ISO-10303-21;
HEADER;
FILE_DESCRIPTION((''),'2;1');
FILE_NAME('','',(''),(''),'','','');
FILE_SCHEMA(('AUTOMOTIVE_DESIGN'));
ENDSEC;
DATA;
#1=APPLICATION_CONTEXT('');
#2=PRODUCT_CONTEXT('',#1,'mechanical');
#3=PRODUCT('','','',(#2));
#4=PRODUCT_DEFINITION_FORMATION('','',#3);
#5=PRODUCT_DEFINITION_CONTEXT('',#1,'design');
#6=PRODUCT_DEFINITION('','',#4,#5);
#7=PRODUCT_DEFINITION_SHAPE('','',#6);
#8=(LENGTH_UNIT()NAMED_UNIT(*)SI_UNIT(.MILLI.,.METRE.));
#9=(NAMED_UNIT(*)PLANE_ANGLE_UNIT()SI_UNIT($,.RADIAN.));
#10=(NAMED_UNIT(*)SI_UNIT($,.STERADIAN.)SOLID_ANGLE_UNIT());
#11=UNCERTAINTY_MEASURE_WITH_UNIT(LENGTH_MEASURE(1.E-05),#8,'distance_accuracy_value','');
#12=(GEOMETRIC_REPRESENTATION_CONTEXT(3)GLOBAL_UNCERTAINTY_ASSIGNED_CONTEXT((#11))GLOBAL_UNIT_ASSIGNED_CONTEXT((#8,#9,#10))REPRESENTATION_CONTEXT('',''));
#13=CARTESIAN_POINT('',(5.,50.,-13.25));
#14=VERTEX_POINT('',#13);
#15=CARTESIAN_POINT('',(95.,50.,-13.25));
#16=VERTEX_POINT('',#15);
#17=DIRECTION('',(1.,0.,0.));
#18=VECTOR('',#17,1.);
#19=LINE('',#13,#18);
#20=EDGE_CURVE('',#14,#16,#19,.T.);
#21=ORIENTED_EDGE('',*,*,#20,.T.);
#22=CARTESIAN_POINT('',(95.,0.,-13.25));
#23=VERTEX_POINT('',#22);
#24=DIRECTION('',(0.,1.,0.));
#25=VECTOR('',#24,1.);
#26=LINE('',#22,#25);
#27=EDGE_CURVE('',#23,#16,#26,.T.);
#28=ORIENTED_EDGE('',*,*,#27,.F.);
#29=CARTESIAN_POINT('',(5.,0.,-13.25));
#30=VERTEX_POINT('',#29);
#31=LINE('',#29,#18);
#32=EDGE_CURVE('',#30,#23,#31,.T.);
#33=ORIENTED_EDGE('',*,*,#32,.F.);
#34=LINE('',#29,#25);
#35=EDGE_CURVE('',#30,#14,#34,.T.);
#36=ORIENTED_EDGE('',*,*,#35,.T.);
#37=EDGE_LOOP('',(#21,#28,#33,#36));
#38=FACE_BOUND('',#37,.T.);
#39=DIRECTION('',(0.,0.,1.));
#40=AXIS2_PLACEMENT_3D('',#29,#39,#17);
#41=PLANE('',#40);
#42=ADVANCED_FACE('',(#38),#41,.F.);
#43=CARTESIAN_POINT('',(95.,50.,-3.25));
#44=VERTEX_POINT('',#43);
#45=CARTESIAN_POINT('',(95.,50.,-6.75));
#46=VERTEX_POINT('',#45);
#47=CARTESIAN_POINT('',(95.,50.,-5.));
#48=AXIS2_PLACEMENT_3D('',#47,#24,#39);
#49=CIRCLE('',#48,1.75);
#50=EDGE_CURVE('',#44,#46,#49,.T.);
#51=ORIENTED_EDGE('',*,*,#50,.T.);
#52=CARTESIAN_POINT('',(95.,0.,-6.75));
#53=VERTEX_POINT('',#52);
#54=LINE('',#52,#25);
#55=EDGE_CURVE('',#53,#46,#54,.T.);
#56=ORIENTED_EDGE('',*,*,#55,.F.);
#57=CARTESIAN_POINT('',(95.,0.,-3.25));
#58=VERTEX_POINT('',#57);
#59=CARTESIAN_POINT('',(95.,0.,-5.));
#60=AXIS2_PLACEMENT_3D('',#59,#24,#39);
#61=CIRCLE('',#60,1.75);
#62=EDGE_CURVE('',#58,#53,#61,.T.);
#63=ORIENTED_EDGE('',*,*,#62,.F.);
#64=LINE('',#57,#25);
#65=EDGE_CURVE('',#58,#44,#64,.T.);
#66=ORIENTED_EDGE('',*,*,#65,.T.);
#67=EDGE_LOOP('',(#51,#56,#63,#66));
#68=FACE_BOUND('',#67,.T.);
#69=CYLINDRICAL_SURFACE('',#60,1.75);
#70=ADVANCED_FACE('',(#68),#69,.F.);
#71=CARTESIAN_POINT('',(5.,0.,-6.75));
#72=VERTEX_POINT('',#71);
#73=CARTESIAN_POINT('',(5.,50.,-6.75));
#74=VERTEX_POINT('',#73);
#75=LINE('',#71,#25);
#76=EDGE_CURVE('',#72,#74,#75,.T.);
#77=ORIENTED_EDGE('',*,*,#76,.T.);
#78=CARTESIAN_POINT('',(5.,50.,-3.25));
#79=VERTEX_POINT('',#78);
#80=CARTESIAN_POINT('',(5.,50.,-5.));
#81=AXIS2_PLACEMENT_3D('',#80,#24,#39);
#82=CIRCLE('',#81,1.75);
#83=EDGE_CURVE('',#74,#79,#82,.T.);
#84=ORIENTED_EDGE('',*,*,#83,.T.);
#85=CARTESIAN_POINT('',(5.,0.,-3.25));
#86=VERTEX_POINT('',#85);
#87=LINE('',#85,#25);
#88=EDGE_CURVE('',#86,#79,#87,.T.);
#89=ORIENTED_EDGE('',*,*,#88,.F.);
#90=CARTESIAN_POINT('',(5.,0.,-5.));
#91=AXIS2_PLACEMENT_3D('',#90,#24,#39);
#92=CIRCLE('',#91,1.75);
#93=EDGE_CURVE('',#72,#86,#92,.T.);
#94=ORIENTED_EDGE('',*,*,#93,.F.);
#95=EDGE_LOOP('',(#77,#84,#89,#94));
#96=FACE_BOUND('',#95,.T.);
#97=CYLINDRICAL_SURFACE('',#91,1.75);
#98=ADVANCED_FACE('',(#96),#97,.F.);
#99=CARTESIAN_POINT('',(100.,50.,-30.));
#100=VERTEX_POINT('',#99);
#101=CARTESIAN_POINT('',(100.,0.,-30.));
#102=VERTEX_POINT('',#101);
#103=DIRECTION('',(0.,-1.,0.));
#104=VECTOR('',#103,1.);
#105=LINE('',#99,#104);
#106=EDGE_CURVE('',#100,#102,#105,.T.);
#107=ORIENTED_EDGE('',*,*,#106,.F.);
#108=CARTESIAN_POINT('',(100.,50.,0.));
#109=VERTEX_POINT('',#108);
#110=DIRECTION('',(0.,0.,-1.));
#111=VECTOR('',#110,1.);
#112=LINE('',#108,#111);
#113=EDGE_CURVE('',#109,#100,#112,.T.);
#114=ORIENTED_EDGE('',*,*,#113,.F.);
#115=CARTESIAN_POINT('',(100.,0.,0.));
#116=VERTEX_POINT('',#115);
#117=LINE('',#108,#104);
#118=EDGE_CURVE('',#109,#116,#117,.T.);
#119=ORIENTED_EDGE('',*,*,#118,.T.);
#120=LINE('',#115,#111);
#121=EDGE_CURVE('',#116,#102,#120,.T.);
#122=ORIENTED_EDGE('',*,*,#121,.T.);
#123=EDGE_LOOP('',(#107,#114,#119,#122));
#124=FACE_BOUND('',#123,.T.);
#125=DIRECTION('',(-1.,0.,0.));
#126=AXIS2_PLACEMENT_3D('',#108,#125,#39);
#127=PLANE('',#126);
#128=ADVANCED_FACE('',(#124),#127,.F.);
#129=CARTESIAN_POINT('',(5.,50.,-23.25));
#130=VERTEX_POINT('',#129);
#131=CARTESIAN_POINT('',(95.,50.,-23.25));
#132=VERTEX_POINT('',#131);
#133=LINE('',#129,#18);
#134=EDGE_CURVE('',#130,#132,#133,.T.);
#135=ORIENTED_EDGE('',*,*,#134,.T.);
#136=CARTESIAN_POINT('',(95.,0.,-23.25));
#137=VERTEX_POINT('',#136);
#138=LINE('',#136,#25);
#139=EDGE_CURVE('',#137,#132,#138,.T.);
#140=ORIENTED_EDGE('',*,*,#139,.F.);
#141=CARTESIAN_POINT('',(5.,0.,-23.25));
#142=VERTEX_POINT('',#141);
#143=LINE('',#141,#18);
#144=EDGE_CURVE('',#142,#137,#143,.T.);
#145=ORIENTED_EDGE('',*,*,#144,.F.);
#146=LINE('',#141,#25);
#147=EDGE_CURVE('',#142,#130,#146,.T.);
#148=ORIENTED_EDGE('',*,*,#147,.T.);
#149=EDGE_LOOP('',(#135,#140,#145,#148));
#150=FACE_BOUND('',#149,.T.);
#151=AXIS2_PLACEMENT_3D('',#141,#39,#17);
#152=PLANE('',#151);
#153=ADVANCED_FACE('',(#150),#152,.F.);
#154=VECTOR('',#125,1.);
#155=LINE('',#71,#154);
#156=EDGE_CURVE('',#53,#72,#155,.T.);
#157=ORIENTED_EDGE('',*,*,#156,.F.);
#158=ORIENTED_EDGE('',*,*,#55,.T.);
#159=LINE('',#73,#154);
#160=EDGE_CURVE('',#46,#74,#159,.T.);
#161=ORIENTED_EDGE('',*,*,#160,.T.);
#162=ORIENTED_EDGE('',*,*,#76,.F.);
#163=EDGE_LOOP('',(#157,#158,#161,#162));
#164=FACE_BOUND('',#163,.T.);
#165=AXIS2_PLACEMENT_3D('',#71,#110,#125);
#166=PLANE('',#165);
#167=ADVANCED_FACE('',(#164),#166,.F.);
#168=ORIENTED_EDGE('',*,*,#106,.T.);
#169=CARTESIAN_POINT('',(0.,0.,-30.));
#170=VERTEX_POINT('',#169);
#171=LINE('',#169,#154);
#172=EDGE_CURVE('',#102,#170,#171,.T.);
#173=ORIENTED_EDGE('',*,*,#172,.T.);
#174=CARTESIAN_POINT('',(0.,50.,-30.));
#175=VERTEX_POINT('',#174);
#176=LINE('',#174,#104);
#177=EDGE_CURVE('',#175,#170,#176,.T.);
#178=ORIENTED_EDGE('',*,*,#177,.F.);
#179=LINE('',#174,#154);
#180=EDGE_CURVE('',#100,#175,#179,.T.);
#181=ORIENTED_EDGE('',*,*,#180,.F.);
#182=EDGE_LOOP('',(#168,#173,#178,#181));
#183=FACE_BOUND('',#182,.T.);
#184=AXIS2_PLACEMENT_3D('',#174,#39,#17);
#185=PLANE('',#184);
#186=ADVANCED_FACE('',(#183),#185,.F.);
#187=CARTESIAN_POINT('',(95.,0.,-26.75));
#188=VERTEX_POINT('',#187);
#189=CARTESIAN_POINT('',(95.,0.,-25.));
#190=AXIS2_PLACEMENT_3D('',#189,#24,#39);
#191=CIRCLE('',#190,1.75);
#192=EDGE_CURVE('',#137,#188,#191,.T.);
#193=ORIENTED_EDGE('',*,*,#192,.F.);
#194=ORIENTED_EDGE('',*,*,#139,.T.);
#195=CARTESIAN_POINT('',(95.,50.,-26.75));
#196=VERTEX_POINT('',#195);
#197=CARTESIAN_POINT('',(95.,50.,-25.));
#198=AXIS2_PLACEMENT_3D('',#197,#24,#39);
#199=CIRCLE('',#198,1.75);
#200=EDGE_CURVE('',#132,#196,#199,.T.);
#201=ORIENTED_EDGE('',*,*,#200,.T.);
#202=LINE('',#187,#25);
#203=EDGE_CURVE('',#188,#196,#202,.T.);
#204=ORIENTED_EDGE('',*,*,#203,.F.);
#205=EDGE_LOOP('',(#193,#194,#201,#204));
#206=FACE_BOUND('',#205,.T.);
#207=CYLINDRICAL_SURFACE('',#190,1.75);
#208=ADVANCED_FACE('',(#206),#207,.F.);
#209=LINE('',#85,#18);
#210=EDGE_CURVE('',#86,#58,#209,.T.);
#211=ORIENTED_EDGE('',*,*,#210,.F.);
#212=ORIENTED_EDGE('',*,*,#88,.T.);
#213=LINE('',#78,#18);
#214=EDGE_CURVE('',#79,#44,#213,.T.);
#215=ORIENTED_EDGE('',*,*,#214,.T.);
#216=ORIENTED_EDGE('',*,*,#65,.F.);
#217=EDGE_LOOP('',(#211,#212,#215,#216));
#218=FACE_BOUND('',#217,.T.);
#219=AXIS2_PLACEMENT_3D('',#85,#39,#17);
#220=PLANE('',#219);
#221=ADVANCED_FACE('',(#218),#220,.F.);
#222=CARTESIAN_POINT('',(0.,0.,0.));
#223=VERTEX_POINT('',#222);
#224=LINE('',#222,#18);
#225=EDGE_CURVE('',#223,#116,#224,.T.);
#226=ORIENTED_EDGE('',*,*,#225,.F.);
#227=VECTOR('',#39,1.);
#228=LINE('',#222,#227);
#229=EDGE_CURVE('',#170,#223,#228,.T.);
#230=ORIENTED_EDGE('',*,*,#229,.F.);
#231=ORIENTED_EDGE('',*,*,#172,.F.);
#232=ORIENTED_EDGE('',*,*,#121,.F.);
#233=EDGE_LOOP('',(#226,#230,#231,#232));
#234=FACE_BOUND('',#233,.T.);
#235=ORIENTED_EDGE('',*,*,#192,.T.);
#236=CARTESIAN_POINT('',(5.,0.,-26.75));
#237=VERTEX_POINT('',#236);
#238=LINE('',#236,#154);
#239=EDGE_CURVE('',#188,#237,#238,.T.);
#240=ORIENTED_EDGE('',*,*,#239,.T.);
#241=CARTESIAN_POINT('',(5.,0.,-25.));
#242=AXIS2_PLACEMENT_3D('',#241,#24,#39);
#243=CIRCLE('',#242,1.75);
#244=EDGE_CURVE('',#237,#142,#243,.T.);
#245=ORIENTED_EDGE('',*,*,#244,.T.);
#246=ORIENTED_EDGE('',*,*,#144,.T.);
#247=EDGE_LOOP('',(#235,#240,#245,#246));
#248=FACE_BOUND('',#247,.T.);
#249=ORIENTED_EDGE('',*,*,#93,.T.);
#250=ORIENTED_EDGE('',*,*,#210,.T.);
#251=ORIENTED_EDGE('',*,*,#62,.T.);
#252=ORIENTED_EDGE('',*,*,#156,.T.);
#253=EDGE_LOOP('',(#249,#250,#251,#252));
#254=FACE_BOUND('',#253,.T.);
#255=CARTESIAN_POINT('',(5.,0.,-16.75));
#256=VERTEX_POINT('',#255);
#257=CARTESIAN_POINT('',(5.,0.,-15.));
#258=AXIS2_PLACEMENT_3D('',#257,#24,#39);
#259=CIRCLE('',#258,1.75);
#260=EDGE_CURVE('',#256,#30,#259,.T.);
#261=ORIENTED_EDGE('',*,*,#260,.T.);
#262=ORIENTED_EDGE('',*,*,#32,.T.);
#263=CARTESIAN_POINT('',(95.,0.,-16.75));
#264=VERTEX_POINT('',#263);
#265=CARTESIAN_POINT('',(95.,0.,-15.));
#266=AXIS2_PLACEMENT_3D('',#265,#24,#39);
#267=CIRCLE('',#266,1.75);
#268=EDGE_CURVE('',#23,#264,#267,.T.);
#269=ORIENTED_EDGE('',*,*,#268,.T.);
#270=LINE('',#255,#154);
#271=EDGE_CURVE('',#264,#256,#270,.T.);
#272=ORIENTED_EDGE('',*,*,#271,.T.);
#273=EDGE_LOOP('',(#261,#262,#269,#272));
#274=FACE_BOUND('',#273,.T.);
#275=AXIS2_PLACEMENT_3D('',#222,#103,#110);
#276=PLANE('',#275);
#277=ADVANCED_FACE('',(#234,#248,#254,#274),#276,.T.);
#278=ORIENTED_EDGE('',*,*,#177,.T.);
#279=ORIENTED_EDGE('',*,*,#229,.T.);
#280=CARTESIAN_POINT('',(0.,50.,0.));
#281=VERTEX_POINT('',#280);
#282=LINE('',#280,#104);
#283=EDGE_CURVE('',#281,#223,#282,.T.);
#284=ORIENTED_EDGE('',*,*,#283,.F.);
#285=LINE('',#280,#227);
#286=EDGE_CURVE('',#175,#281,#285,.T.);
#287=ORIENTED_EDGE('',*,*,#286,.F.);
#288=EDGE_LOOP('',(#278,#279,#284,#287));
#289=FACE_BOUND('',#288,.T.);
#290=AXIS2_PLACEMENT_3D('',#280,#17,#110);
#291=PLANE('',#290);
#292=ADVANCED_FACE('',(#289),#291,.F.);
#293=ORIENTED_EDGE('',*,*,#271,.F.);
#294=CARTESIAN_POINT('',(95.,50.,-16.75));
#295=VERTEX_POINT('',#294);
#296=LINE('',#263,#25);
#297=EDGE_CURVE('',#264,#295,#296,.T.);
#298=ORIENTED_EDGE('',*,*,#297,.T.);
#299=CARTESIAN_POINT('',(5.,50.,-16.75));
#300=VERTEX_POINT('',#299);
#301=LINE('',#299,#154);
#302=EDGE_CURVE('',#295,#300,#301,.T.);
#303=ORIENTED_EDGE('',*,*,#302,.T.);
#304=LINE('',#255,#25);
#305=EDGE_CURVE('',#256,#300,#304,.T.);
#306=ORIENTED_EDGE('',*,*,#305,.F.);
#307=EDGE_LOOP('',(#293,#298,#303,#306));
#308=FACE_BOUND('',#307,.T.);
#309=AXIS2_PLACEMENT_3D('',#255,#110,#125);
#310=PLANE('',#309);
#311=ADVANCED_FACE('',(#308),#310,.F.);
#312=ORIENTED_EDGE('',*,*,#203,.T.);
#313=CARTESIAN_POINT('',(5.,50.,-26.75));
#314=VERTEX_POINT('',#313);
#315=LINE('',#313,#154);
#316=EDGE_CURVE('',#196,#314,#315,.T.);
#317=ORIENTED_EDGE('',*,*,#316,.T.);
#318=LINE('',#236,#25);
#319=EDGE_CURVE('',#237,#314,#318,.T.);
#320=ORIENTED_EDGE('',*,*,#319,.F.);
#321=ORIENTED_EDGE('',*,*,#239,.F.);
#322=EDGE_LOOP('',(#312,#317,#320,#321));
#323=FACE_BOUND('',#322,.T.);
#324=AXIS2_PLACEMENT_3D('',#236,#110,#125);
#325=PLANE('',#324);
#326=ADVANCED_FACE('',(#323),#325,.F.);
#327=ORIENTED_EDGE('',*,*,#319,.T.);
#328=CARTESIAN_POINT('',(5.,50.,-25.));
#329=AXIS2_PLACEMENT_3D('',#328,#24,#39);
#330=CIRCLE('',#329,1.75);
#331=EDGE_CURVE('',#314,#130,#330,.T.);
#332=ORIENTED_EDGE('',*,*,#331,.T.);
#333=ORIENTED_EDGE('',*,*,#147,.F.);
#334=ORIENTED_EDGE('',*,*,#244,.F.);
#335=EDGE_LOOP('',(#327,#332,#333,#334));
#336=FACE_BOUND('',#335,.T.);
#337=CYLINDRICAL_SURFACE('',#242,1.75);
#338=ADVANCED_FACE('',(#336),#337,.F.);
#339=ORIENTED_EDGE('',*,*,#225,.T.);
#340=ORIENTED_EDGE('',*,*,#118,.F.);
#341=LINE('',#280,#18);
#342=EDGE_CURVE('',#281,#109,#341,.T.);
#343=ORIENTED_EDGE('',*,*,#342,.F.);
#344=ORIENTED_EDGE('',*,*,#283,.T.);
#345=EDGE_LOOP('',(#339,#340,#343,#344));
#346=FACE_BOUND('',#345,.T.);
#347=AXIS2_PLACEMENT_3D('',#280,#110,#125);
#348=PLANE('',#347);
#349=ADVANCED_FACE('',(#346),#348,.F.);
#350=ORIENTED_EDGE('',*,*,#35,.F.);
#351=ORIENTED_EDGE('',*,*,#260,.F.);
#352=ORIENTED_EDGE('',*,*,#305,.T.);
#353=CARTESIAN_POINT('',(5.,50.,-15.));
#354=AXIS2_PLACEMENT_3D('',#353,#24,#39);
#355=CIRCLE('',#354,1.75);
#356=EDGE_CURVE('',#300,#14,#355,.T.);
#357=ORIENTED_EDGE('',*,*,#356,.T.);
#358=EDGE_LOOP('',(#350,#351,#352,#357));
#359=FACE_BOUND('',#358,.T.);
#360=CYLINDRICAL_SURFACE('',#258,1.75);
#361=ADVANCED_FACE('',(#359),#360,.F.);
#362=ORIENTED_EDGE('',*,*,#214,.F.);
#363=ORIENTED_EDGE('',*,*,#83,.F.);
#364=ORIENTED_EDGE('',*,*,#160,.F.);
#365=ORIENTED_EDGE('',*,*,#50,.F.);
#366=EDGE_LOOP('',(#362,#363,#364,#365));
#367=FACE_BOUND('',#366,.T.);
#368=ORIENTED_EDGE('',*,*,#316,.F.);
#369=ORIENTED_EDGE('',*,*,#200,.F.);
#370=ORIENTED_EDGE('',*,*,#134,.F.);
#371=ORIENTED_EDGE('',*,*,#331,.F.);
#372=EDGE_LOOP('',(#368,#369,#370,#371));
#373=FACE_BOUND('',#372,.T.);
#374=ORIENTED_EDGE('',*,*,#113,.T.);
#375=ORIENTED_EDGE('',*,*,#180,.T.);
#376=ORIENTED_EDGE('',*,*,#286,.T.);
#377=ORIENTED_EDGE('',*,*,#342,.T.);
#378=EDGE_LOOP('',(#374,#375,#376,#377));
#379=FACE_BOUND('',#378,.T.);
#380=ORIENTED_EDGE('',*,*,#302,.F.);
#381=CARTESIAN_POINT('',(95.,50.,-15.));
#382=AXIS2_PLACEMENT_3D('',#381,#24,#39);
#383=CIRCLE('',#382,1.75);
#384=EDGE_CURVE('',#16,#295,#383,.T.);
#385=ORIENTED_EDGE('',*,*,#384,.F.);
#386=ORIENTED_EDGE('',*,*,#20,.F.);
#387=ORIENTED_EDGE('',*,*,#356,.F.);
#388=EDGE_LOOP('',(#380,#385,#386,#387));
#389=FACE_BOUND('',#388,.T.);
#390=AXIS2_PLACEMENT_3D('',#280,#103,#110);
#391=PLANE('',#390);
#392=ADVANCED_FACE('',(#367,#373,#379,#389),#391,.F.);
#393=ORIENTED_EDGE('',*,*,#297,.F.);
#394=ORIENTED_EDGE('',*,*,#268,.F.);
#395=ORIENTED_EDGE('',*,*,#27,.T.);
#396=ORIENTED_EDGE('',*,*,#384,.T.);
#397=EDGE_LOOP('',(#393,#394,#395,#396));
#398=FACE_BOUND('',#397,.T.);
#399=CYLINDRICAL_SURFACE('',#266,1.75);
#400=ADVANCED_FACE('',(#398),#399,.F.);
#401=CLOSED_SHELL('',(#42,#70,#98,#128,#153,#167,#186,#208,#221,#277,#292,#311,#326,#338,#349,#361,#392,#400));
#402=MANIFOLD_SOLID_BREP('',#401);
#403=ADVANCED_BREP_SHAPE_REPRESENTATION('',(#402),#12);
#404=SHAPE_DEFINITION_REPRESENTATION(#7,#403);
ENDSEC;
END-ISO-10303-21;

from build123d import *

# Parameters (mm, degrees)
SKETCH_1_W             = 100
SKETCH_1_H             = 30
EXTRUDE_1_DEPTH        = 50
CUT_EXTRUDE_1_DEPTH    = 50
PATTERN_LINEAR_1_COUNT = 3
PATTERN_LINEAR_1_PITCH = 10


with BuildPart() as part:
    # 草图1 → 凸台-拉伸1 (new body)
    with BuildSketch(Plane(origin=(0, 0, 0), x_dir=(1, 0, 0), z_dir=(0, 1, 0))):
        with Locations((50, 15)):
            Rectangle(SKETCH_1_W, SKETCH_1_H)
    extrude(amount=EXTRUDE_1_DEPTH)

    # 草图2 → 切除-拉伸1 (cut)
    with BuildSketch(Plane(origin=(0, 50, 0), x_dir=(1, 0, 0), z_dir=(0, 1, 0))):
        with BuildLine():
            Line((5, 6.75), (95, 6.75))
            ThreePointArc((95, 6.75), (96.75, 5), (95, 3.25))
            Line((95, 3.25), (5, 3.25))
            ThreePointArc((5, 3.25), (3.25, 5), (5, 6.75))
        make_face()
    cut_extrude_1 = extrude(amount=-CUT_EXTRUDE_1_DEPTH, mode=Mode.SUBTRACT)

    # 阵列(线性)1: 切除-拉伸1 ×3
    with Locations(*[(0, 0, -i * PATTERN_LINEAR_1_PITCH) for i in range(1, PATTERN_LINEAR_1_COUNT)]):
        add(cut_extrude_1, mode=Mode.SUBTRACT)


solid = part.part
